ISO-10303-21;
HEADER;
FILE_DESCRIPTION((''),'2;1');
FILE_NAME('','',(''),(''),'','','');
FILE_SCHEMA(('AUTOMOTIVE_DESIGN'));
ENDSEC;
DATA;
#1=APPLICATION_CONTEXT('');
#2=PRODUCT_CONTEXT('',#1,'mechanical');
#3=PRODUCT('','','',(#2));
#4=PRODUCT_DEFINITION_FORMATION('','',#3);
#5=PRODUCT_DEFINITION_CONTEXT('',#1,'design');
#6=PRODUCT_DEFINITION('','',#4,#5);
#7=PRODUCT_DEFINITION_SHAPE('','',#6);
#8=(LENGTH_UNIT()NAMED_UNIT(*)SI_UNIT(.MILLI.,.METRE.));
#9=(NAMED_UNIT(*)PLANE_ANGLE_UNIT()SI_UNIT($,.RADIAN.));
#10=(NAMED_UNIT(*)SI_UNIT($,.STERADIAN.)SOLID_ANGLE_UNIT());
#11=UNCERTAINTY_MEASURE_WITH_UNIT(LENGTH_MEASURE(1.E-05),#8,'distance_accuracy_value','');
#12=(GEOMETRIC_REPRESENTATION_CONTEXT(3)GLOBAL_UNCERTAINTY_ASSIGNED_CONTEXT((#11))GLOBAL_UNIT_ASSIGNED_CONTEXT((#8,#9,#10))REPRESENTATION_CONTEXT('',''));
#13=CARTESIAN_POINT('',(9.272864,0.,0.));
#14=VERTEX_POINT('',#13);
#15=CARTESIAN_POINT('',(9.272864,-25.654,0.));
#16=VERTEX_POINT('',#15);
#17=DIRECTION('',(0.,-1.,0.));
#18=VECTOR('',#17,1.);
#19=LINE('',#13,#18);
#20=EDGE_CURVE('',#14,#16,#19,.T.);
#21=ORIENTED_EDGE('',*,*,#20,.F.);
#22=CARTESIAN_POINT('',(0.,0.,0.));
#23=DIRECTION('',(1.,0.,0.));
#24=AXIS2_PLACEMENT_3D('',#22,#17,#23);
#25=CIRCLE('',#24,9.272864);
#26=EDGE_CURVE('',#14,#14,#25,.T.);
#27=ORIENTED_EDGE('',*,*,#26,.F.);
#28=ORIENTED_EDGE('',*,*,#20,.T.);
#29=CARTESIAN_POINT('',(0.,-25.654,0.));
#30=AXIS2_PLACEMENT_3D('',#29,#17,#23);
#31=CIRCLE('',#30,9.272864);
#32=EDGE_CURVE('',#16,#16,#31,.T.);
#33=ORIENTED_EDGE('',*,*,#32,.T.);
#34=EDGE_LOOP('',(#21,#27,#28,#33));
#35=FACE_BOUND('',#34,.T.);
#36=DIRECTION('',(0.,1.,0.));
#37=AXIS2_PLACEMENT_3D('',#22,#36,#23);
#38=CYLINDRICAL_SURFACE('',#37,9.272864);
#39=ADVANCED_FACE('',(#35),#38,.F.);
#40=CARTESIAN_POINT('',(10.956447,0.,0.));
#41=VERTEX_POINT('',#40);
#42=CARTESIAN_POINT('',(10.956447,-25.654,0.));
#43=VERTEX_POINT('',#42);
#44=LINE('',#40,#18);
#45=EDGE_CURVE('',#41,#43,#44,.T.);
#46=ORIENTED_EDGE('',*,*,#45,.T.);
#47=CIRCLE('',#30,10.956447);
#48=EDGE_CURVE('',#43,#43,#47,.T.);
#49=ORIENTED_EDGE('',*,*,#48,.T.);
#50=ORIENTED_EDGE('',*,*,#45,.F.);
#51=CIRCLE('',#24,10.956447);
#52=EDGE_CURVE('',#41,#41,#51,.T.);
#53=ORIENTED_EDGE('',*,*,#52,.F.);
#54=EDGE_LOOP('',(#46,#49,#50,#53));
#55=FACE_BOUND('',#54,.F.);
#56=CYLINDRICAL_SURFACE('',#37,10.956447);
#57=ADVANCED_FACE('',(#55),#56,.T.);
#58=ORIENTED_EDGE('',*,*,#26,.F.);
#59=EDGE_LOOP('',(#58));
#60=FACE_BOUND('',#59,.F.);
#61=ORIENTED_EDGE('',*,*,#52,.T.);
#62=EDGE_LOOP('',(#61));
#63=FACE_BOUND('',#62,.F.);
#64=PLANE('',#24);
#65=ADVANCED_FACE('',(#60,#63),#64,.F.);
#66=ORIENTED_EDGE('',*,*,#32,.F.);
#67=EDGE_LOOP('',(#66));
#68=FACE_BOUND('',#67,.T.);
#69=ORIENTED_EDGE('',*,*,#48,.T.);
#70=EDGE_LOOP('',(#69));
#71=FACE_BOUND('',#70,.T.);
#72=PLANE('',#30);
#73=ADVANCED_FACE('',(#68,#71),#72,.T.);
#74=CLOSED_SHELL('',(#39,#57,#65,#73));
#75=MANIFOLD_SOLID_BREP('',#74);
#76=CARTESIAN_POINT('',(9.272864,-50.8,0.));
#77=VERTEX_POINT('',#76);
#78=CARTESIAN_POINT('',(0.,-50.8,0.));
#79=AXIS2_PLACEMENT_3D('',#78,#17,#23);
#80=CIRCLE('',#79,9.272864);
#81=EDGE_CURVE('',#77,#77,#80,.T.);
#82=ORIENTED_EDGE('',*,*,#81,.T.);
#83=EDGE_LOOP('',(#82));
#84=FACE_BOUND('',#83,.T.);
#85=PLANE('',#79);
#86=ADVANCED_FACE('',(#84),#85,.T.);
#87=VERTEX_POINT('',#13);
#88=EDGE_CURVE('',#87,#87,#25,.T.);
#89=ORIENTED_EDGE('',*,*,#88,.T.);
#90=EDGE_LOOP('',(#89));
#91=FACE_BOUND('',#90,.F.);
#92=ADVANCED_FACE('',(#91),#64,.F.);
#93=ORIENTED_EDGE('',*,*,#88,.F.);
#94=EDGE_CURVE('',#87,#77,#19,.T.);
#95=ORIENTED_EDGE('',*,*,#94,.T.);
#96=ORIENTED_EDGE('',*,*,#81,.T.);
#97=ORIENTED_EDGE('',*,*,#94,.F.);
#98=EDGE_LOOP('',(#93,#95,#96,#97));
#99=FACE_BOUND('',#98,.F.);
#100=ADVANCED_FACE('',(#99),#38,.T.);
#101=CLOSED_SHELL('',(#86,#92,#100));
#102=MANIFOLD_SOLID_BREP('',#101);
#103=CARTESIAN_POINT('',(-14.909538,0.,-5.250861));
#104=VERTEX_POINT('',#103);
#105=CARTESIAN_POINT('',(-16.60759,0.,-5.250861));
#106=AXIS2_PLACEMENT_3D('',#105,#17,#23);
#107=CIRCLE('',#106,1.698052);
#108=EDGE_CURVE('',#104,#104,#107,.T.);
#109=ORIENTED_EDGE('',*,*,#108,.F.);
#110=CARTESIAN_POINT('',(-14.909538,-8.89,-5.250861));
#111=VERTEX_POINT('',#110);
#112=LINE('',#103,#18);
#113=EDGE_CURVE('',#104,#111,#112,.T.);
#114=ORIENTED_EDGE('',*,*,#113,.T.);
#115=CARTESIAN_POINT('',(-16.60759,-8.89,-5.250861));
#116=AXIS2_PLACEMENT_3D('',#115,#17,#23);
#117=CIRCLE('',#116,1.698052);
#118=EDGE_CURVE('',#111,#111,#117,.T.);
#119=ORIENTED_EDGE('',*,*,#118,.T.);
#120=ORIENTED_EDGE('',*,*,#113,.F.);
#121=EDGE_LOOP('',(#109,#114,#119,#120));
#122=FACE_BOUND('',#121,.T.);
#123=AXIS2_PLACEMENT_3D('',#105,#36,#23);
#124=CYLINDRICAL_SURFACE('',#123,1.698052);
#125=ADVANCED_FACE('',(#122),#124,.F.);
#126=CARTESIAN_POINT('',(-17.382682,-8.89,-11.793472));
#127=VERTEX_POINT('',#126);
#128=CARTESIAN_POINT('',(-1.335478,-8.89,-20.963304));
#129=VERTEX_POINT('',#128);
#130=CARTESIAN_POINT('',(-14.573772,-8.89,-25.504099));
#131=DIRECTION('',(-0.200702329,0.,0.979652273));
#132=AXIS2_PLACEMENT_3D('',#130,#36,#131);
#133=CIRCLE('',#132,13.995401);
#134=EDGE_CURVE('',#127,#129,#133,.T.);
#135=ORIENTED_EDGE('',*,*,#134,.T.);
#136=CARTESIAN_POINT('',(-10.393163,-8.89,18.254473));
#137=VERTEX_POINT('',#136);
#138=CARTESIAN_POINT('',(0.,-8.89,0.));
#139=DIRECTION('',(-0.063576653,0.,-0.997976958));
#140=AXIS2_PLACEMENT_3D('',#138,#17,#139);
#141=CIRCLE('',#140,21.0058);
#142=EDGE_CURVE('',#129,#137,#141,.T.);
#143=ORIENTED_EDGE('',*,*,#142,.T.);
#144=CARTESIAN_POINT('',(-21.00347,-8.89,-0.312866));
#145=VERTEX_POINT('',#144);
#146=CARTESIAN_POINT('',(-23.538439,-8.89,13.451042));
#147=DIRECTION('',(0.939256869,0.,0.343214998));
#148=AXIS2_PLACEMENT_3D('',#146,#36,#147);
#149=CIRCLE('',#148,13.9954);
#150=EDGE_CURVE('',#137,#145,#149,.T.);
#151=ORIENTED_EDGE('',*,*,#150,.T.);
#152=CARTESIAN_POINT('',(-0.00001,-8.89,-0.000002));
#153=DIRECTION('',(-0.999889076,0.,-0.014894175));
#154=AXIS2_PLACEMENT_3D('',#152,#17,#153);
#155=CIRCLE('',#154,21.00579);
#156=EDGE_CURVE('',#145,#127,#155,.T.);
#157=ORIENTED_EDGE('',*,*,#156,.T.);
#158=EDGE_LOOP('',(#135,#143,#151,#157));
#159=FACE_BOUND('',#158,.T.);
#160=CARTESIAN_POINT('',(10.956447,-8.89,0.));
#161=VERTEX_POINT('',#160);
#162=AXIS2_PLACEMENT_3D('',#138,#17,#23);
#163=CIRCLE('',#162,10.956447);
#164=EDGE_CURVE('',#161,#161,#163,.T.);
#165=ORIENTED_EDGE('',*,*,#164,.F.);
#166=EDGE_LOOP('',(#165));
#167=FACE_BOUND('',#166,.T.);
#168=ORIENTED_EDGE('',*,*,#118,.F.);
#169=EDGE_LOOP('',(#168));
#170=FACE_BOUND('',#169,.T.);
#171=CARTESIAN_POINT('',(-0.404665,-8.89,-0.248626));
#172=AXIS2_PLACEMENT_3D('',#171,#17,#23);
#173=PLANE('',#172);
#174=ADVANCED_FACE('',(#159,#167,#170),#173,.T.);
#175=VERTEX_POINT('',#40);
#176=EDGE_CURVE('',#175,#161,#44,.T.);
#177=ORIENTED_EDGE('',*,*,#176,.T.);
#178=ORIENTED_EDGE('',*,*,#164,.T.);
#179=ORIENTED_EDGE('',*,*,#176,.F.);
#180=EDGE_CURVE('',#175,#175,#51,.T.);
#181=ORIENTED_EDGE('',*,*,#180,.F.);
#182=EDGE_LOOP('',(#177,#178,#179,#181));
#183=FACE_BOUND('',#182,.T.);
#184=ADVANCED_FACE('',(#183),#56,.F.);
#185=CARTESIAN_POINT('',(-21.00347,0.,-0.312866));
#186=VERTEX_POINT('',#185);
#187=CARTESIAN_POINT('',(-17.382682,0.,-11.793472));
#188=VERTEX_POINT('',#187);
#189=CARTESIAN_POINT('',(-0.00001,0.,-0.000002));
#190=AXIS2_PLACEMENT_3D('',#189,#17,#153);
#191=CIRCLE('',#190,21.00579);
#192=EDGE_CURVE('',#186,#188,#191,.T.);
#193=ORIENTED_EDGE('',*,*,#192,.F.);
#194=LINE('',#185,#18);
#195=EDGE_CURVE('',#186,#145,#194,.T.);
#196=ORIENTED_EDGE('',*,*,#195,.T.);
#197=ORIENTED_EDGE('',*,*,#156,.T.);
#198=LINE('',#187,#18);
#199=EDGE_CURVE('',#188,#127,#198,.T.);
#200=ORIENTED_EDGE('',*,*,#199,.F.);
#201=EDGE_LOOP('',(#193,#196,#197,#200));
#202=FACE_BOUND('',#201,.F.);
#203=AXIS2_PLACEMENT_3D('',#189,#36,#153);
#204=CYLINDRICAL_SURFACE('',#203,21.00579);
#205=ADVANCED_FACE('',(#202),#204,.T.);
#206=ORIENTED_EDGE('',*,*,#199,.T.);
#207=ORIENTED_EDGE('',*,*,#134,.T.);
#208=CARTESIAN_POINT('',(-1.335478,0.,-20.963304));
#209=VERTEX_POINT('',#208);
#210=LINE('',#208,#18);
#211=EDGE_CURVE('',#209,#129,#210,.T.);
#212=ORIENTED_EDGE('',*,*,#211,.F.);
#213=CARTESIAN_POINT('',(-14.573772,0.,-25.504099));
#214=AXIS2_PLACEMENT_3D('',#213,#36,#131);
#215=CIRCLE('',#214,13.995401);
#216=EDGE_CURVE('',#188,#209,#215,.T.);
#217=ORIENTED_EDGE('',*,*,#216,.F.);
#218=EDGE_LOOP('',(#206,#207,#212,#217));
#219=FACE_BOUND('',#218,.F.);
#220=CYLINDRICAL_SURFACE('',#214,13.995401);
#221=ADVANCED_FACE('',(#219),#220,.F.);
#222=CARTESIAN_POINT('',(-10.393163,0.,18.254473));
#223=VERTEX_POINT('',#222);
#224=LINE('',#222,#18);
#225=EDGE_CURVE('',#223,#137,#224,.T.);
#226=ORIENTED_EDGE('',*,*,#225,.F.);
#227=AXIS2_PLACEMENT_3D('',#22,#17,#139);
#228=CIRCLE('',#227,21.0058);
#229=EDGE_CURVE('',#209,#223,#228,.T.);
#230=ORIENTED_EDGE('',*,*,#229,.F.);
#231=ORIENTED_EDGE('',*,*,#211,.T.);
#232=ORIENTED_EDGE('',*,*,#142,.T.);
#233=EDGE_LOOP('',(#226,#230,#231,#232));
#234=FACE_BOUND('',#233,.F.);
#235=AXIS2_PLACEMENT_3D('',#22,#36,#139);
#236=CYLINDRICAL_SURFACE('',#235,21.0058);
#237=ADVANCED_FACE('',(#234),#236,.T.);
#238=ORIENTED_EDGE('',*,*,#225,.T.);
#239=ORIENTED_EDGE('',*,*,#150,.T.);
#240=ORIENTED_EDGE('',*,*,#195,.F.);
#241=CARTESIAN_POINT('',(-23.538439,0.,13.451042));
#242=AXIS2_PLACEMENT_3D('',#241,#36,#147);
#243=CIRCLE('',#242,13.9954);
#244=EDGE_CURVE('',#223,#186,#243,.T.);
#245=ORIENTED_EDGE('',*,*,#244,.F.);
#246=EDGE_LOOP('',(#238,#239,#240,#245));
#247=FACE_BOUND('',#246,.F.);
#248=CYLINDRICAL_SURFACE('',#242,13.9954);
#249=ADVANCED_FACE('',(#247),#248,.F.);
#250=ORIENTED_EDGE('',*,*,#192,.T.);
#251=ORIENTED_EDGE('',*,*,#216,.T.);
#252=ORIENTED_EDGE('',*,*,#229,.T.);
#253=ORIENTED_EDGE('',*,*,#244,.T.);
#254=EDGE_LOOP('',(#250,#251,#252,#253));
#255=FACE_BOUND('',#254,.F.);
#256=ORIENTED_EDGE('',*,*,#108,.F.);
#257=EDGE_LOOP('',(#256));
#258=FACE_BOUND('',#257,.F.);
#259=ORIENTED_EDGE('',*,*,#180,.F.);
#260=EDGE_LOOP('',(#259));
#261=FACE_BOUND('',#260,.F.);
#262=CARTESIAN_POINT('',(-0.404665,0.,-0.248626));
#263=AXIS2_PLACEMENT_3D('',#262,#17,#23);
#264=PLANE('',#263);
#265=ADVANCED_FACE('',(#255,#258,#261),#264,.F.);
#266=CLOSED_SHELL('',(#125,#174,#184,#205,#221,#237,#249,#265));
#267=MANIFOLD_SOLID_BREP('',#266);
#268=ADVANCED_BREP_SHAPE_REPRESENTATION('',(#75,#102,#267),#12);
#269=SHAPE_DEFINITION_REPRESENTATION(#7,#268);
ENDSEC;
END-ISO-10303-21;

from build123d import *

# Parameters (mm, degrees)
F0_R     = 9.272864
F1_DEPTH = 50.8
F0_R_2   = 1.698052
F0_R_3   = 10.956447
F2_DEPTH = 8.89
F3_DEPTH = 25.654


with BuildPart() as f1:
    # F0 (on Front) → F1 (new body)
    with BuildSketch(Plane.XZ):
        Circle(F0_R)
    extrude(amount=F1_DEPTH)


with BuildPart() as f2:
    # F0 (on Front) → F2 (new body)
    with BuildSketch(Plane.XZ):
        with BuildLine():
            ThreePointArc((-17.382682, -11.793472), (-7.630108, -13.352688), (-1.335478, -20.963304))
            ThreePointArc((-1.335478, -20.963304), (20.467017, 4.727035), (-10.393163, 18.254473))
            ThreePointArc((-10.393163, 18.254473), (-11.387141, 6.507182), (-21.00347, -0.312866))
            ThreePointArc((-21.00347, -0.312866), (-20.033104, -6.3181), (-17.382682, -11.793472))
        make_face()
        with Locations((-16.60759, -5.250861)):
            Circle(F0_R_2, mode=Mode.SUBTRACT)
        Circle(F0_R_3, mode=Mode.SUBTRACT)
    extrude(amount=F2_DEPTH)


with BuildPart() as f3:
    # F0 (on Front) → F3 (new body)
    with BuildSketch(Plane.XZ):
        Circle(F0_R_3)
        Circle(F0_R, mode=Mode.SUBTRACT)
    extrude(amount=F3_DEPTH)


solid = Compound([f1.part, f2.part, f3.part])
